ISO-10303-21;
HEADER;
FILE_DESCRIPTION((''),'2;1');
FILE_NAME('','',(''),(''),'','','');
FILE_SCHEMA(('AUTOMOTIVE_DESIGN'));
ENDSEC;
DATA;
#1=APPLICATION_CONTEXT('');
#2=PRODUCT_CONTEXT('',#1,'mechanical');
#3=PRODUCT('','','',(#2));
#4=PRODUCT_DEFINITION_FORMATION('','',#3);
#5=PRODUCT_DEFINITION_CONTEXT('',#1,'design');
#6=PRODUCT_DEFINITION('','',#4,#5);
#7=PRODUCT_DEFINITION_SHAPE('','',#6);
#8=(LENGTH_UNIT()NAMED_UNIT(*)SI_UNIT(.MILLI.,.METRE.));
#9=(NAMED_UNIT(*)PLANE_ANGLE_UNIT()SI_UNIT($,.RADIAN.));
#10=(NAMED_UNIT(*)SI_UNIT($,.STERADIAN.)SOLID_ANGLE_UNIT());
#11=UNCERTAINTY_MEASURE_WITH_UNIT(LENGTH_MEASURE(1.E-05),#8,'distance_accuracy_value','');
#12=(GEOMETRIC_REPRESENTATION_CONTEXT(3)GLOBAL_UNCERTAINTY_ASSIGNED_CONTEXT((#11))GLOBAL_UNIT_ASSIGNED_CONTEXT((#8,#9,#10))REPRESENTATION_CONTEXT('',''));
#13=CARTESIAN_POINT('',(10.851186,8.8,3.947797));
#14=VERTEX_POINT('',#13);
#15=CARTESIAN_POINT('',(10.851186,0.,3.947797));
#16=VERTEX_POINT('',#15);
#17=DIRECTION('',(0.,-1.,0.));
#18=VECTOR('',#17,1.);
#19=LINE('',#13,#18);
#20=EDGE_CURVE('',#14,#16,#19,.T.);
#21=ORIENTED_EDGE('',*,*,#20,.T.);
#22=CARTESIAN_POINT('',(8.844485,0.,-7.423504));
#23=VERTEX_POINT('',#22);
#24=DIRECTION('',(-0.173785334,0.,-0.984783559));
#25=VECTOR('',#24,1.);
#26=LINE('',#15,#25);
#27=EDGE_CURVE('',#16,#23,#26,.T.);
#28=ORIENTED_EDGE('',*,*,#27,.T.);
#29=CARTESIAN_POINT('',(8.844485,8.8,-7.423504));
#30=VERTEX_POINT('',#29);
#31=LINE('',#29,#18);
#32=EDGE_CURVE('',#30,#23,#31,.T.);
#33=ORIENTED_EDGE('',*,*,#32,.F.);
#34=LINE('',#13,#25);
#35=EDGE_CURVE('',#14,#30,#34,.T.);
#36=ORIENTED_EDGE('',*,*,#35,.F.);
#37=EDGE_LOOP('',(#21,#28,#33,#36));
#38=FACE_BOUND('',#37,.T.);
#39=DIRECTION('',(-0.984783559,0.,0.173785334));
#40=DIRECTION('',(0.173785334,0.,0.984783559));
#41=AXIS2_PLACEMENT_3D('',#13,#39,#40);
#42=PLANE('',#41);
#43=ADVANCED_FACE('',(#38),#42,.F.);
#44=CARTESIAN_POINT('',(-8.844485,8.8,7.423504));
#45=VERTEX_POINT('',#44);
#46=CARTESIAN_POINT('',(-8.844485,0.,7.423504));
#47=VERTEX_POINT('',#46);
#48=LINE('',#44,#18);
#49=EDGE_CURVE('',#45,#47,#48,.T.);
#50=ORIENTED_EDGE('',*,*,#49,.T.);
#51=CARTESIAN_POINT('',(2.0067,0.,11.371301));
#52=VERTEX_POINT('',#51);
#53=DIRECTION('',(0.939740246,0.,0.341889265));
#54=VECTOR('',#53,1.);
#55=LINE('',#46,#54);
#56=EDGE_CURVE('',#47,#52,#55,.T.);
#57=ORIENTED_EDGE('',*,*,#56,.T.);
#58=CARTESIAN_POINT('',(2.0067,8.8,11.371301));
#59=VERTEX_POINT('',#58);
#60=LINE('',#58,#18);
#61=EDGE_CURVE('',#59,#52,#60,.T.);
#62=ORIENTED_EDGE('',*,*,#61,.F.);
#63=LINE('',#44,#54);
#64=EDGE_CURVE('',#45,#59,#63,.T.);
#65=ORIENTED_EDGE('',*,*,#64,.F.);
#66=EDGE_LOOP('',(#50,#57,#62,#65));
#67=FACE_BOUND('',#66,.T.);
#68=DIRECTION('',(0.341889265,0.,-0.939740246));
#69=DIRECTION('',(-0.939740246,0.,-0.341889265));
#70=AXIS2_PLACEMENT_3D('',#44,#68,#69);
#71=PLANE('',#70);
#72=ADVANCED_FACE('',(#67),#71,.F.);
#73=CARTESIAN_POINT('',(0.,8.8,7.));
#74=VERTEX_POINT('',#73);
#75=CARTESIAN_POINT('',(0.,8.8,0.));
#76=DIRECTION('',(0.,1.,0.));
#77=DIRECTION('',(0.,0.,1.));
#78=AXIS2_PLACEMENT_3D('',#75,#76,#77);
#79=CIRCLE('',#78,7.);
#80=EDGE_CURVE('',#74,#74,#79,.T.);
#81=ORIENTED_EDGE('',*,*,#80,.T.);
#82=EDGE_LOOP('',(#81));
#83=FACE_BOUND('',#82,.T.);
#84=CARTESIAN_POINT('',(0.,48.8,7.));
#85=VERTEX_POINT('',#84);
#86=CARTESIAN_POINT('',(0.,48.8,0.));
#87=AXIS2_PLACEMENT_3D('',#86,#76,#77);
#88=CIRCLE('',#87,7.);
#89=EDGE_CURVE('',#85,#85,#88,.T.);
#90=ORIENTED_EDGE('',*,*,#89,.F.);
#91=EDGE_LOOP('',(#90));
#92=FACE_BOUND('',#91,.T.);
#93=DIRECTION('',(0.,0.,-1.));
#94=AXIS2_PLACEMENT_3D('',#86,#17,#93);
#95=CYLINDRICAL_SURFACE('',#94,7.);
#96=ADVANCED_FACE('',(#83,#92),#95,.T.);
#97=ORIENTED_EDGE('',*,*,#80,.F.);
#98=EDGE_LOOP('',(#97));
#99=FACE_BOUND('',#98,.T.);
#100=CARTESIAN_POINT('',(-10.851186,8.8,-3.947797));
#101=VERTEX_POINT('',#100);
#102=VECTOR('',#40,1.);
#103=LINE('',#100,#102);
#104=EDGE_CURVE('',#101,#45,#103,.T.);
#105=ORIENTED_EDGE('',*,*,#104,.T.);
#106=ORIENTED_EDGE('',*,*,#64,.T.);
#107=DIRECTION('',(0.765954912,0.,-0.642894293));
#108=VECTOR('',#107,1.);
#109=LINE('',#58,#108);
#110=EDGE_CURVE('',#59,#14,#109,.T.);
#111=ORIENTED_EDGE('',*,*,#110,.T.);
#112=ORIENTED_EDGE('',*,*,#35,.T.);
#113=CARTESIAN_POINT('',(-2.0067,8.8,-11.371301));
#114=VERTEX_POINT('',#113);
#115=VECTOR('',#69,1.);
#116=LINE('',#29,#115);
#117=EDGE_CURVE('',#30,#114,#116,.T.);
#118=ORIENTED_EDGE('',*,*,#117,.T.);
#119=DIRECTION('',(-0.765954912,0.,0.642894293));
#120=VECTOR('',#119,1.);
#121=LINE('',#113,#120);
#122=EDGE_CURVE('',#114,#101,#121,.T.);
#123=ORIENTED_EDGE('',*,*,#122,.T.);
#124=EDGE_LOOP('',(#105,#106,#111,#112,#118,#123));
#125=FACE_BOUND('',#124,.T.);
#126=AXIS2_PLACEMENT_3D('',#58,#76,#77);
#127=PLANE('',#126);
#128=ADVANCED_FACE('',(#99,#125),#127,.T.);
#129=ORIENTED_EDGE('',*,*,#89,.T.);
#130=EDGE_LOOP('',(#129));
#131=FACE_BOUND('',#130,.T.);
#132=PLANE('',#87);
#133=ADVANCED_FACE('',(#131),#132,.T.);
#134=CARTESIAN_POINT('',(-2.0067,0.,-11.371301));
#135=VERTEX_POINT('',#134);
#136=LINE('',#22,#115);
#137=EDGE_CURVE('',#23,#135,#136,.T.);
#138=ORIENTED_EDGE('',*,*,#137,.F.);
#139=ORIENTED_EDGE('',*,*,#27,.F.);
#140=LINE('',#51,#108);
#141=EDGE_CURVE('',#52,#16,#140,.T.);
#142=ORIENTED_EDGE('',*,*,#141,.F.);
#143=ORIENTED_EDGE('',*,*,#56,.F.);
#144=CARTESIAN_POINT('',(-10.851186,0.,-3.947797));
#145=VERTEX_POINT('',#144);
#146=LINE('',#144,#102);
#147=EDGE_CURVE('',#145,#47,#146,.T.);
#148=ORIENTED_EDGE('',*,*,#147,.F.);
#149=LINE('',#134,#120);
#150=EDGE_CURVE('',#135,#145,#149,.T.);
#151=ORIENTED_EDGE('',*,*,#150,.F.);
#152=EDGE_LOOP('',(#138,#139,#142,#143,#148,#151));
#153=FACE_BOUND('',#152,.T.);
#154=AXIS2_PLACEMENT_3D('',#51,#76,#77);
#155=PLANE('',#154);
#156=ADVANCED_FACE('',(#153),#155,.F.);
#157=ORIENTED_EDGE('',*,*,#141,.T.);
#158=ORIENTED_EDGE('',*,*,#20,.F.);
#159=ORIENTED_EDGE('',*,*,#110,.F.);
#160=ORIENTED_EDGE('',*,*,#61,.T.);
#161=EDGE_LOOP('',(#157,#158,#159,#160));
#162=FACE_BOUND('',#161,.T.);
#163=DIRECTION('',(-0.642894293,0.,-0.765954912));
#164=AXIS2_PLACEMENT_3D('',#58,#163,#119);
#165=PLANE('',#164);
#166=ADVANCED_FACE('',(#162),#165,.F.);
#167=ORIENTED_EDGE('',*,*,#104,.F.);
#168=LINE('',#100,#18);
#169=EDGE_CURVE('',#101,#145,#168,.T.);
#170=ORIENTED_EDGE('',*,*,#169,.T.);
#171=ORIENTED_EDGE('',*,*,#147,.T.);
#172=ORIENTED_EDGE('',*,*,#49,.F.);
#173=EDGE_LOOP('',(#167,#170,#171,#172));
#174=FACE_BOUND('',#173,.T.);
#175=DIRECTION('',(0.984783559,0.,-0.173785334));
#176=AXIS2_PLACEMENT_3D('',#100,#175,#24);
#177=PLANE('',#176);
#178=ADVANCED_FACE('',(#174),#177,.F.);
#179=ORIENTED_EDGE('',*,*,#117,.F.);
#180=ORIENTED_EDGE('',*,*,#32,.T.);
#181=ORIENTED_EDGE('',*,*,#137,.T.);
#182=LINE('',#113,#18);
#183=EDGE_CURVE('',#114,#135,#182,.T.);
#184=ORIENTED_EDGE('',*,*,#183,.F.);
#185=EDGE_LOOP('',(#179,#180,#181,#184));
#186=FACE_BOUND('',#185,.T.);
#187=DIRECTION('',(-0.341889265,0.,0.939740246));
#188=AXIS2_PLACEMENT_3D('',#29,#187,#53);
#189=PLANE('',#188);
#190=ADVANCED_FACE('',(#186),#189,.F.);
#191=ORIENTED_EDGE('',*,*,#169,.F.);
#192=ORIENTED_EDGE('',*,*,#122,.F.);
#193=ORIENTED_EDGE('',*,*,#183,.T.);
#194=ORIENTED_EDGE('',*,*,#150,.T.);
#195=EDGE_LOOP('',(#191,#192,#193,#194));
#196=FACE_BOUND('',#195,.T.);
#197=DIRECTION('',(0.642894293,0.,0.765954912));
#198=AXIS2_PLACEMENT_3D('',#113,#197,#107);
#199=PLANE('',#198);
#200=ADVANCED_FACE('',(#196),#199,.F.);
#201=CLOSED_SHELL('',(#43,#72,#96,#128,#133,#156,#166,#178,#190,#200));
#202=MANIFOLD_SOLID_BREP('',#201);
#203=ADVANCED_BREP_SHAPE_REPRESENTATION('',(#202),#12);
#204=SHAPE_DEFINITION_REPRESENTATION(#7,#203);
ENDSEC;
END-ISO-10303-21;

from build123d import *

# Parameters (mm, degrees)
EXTRUDE_1_DEPTH = 8.8
SKETCH_3_R      = 7
EXTRUDE_2_DEPTH = 40


with BuildPart() as part:
    # Эскиз1 → Вытянуть1 (new body)
    with BuildSketch(Plane(origin=(0, 0, 0), x_dir=(1, 0, 0), z_dir=(0, 1, 0))):
        Polygon((2.006700186, -11.371301056), (10.851185681, -3.947797189), (8.844485495, 7.423503867), (-2.006700186, 11.371301056), (-10.851185681, 3.947797189), (-8.844485495, -7.423503867), align=None)
    extrude(amount=EXTRUDE_1_DEPTH)

    # Эскиз3 → Вытянуть2 (add)
    with BuildSketch(Plane(origin=(0, 8.8, 0), x_dir=(1, 0, 0), z_dir=(0, 1, 0))):
        with Locations(Location((0, 0, 0), (0, 0, 270))):
            Circle(SKETCH_3_R)
    extrude(amount=EXTRUDE_2_DEPTH)


solid = part.part
